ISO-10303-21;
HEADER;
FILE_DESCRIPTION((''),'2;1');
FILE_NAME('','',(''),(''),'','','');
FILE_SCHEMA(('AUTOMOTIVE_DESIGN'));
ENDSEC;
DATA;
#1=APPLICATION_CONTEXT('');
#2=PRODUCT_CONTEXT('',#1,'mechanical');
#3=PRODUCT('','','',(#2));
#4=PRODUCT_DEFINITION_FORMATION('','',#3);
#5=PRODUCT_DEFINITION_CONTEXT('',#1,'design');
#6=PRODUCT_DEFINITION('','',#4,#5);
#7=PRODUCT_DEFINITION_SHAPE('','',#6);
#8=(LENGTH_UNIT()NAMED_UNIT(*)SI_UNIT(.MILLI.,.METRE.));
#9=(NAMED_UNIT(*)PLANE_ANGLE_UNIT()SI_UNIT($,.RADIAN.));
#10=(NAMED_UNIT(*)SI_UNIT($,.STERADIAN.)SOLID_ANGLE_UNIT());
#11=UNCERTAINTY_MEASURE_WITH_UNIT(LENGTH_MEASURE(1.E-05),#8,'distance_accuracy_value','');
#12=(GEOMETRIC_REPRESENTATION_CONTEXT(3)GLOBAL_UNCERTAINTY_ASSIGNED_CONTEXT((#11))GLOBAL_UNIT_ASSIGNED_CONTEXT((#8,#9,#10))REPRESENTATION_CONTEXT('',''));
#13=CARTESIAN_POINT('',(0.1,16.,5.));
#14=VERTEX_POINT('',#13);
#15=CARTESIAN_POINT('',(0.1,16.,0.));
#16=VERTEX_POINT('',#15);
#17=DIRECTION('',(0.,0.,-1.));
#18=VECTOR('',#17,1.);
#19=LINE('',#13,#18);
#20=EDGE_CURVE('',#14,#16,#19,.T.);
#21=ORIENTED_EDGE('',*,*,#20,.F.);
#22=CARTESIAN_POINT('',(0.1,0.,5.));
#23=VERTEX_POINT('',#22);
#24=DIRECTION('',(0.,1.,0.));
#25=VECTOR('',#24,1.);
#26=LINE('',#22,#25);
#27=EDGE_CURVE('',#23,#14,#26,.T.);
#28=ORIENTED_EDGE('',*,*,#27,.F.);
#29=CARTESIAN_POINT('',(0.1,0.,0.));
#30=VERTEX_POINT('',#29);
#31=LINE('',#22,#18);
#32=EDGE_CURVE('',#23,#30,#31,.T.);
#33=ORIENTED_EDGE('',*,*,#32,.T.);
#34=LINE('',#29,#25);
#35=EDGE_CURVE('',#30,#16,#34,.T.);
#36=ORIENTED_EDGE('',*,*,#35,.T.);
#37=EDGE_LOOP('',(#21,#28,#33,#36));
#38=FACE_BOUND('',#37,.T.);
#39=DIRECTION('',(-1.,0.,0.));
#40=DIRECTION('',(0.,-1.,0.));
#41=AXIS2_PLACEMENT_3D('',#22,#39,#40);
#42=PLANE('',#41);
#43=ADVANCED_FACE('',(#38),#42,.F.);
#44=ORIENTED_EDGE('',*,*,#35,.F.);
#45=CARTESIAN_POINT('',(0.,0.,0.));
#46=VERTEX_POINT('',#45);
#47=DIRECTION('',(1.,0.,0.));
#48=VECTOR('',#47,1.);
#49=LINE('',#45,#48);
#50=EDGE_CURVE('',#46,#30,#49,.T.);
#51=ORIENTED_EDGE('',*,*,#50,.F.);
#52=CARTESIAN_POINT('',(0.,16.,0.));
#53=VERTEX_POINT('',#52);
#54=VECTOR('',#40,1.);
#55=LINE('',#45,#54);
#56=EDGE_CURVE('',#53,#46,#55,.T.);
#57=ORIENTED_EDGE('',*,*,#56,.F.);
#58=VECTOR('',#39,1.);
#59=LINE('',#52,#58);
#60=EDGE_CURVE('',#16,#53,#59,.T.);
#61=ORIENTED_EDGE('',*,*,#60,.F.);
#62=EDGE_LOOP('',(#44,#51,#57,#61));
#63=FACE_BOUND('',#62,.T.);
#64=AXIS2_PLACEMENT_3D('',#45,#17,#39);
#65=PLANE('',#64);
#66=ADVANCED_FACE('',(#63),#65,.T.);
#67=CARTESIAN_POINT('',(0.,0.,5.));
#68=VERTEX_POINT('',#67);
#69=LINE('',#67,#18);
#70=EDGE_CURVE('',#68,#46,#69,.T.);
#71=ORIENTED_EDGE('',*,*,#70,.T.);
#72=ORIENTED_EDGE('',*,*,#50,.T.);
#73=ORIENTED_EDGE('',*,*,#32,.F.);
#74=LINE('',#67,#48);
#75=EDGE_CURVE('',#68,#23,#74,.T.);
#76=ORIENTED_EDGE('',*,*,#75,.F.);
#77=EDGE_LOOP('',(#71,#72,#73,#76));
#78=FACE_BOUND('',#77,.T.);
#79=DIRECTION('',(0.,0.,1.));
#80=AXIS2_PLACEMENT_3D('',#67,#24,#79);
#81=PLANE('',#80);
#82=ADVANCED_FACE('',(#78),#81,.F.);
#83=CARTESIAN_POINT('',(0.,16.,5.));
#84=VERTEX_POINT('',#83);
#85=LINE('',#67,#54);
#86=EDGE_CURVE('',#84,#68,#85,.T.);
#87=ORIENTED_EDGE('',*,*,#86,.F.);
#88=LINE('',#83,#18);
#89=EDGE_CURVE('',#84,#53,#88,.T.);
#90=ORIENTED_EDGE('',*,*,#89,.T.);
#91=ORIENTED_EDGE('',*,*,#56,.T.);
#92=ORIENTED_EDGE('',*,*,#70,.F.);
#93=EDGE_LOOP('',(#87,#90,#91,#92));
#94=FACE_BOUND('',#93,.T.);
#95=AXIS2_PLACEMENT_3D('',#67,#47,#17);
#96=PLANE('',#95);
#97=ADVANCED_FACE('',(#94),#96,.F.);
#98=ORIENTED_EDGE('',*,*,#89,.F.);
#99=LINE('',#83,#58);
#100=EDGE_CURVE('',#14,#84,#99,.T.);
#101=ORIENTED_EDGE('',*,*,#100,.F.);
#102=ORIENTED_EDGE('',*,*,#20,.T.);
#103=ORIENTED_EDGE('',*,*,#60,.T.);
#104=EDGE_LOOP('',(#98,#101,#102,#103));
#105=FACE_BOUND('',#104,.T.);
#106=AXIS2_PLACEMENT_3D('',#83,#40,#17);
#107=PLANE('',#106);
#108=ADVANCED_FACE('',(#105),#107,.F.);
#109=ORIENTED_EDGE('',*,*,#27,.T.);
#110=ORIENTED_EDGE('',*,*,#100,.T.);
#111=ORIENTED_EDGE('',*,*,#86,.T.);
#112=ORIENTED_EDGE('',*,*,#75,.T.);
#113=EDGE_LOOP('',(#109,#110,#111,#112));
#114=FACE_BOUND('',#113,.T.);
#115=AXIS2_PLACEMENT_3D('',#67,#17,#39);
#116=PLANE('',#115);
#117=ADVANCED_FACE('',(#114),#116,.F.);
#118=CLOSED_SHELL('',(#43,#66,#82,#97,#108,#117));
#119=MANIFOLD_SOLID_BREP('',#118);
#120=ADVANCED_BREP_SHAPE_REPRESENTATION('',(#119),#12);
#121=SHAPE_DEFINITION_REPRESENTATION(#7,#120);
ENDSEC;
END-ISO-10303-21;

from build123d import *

# Parameters (mm, degrees)
SKETCH1_W           = 0.1
SKETCH1_H           = 16
BOSS_EXTRUDE1_DEPTH = 5


with BuildPart() as part:
    # Sketch1 → Boss-Extrude1 (new body)
    with BuildSketch(Plane.XY):
        with Locations((0.05, 8)):
            Rectangle(SKETCH1_W, SKETCH1_H)
    extrude(amount=BOSS_EXTRUDE1_DEPTH)


solid = part.part
